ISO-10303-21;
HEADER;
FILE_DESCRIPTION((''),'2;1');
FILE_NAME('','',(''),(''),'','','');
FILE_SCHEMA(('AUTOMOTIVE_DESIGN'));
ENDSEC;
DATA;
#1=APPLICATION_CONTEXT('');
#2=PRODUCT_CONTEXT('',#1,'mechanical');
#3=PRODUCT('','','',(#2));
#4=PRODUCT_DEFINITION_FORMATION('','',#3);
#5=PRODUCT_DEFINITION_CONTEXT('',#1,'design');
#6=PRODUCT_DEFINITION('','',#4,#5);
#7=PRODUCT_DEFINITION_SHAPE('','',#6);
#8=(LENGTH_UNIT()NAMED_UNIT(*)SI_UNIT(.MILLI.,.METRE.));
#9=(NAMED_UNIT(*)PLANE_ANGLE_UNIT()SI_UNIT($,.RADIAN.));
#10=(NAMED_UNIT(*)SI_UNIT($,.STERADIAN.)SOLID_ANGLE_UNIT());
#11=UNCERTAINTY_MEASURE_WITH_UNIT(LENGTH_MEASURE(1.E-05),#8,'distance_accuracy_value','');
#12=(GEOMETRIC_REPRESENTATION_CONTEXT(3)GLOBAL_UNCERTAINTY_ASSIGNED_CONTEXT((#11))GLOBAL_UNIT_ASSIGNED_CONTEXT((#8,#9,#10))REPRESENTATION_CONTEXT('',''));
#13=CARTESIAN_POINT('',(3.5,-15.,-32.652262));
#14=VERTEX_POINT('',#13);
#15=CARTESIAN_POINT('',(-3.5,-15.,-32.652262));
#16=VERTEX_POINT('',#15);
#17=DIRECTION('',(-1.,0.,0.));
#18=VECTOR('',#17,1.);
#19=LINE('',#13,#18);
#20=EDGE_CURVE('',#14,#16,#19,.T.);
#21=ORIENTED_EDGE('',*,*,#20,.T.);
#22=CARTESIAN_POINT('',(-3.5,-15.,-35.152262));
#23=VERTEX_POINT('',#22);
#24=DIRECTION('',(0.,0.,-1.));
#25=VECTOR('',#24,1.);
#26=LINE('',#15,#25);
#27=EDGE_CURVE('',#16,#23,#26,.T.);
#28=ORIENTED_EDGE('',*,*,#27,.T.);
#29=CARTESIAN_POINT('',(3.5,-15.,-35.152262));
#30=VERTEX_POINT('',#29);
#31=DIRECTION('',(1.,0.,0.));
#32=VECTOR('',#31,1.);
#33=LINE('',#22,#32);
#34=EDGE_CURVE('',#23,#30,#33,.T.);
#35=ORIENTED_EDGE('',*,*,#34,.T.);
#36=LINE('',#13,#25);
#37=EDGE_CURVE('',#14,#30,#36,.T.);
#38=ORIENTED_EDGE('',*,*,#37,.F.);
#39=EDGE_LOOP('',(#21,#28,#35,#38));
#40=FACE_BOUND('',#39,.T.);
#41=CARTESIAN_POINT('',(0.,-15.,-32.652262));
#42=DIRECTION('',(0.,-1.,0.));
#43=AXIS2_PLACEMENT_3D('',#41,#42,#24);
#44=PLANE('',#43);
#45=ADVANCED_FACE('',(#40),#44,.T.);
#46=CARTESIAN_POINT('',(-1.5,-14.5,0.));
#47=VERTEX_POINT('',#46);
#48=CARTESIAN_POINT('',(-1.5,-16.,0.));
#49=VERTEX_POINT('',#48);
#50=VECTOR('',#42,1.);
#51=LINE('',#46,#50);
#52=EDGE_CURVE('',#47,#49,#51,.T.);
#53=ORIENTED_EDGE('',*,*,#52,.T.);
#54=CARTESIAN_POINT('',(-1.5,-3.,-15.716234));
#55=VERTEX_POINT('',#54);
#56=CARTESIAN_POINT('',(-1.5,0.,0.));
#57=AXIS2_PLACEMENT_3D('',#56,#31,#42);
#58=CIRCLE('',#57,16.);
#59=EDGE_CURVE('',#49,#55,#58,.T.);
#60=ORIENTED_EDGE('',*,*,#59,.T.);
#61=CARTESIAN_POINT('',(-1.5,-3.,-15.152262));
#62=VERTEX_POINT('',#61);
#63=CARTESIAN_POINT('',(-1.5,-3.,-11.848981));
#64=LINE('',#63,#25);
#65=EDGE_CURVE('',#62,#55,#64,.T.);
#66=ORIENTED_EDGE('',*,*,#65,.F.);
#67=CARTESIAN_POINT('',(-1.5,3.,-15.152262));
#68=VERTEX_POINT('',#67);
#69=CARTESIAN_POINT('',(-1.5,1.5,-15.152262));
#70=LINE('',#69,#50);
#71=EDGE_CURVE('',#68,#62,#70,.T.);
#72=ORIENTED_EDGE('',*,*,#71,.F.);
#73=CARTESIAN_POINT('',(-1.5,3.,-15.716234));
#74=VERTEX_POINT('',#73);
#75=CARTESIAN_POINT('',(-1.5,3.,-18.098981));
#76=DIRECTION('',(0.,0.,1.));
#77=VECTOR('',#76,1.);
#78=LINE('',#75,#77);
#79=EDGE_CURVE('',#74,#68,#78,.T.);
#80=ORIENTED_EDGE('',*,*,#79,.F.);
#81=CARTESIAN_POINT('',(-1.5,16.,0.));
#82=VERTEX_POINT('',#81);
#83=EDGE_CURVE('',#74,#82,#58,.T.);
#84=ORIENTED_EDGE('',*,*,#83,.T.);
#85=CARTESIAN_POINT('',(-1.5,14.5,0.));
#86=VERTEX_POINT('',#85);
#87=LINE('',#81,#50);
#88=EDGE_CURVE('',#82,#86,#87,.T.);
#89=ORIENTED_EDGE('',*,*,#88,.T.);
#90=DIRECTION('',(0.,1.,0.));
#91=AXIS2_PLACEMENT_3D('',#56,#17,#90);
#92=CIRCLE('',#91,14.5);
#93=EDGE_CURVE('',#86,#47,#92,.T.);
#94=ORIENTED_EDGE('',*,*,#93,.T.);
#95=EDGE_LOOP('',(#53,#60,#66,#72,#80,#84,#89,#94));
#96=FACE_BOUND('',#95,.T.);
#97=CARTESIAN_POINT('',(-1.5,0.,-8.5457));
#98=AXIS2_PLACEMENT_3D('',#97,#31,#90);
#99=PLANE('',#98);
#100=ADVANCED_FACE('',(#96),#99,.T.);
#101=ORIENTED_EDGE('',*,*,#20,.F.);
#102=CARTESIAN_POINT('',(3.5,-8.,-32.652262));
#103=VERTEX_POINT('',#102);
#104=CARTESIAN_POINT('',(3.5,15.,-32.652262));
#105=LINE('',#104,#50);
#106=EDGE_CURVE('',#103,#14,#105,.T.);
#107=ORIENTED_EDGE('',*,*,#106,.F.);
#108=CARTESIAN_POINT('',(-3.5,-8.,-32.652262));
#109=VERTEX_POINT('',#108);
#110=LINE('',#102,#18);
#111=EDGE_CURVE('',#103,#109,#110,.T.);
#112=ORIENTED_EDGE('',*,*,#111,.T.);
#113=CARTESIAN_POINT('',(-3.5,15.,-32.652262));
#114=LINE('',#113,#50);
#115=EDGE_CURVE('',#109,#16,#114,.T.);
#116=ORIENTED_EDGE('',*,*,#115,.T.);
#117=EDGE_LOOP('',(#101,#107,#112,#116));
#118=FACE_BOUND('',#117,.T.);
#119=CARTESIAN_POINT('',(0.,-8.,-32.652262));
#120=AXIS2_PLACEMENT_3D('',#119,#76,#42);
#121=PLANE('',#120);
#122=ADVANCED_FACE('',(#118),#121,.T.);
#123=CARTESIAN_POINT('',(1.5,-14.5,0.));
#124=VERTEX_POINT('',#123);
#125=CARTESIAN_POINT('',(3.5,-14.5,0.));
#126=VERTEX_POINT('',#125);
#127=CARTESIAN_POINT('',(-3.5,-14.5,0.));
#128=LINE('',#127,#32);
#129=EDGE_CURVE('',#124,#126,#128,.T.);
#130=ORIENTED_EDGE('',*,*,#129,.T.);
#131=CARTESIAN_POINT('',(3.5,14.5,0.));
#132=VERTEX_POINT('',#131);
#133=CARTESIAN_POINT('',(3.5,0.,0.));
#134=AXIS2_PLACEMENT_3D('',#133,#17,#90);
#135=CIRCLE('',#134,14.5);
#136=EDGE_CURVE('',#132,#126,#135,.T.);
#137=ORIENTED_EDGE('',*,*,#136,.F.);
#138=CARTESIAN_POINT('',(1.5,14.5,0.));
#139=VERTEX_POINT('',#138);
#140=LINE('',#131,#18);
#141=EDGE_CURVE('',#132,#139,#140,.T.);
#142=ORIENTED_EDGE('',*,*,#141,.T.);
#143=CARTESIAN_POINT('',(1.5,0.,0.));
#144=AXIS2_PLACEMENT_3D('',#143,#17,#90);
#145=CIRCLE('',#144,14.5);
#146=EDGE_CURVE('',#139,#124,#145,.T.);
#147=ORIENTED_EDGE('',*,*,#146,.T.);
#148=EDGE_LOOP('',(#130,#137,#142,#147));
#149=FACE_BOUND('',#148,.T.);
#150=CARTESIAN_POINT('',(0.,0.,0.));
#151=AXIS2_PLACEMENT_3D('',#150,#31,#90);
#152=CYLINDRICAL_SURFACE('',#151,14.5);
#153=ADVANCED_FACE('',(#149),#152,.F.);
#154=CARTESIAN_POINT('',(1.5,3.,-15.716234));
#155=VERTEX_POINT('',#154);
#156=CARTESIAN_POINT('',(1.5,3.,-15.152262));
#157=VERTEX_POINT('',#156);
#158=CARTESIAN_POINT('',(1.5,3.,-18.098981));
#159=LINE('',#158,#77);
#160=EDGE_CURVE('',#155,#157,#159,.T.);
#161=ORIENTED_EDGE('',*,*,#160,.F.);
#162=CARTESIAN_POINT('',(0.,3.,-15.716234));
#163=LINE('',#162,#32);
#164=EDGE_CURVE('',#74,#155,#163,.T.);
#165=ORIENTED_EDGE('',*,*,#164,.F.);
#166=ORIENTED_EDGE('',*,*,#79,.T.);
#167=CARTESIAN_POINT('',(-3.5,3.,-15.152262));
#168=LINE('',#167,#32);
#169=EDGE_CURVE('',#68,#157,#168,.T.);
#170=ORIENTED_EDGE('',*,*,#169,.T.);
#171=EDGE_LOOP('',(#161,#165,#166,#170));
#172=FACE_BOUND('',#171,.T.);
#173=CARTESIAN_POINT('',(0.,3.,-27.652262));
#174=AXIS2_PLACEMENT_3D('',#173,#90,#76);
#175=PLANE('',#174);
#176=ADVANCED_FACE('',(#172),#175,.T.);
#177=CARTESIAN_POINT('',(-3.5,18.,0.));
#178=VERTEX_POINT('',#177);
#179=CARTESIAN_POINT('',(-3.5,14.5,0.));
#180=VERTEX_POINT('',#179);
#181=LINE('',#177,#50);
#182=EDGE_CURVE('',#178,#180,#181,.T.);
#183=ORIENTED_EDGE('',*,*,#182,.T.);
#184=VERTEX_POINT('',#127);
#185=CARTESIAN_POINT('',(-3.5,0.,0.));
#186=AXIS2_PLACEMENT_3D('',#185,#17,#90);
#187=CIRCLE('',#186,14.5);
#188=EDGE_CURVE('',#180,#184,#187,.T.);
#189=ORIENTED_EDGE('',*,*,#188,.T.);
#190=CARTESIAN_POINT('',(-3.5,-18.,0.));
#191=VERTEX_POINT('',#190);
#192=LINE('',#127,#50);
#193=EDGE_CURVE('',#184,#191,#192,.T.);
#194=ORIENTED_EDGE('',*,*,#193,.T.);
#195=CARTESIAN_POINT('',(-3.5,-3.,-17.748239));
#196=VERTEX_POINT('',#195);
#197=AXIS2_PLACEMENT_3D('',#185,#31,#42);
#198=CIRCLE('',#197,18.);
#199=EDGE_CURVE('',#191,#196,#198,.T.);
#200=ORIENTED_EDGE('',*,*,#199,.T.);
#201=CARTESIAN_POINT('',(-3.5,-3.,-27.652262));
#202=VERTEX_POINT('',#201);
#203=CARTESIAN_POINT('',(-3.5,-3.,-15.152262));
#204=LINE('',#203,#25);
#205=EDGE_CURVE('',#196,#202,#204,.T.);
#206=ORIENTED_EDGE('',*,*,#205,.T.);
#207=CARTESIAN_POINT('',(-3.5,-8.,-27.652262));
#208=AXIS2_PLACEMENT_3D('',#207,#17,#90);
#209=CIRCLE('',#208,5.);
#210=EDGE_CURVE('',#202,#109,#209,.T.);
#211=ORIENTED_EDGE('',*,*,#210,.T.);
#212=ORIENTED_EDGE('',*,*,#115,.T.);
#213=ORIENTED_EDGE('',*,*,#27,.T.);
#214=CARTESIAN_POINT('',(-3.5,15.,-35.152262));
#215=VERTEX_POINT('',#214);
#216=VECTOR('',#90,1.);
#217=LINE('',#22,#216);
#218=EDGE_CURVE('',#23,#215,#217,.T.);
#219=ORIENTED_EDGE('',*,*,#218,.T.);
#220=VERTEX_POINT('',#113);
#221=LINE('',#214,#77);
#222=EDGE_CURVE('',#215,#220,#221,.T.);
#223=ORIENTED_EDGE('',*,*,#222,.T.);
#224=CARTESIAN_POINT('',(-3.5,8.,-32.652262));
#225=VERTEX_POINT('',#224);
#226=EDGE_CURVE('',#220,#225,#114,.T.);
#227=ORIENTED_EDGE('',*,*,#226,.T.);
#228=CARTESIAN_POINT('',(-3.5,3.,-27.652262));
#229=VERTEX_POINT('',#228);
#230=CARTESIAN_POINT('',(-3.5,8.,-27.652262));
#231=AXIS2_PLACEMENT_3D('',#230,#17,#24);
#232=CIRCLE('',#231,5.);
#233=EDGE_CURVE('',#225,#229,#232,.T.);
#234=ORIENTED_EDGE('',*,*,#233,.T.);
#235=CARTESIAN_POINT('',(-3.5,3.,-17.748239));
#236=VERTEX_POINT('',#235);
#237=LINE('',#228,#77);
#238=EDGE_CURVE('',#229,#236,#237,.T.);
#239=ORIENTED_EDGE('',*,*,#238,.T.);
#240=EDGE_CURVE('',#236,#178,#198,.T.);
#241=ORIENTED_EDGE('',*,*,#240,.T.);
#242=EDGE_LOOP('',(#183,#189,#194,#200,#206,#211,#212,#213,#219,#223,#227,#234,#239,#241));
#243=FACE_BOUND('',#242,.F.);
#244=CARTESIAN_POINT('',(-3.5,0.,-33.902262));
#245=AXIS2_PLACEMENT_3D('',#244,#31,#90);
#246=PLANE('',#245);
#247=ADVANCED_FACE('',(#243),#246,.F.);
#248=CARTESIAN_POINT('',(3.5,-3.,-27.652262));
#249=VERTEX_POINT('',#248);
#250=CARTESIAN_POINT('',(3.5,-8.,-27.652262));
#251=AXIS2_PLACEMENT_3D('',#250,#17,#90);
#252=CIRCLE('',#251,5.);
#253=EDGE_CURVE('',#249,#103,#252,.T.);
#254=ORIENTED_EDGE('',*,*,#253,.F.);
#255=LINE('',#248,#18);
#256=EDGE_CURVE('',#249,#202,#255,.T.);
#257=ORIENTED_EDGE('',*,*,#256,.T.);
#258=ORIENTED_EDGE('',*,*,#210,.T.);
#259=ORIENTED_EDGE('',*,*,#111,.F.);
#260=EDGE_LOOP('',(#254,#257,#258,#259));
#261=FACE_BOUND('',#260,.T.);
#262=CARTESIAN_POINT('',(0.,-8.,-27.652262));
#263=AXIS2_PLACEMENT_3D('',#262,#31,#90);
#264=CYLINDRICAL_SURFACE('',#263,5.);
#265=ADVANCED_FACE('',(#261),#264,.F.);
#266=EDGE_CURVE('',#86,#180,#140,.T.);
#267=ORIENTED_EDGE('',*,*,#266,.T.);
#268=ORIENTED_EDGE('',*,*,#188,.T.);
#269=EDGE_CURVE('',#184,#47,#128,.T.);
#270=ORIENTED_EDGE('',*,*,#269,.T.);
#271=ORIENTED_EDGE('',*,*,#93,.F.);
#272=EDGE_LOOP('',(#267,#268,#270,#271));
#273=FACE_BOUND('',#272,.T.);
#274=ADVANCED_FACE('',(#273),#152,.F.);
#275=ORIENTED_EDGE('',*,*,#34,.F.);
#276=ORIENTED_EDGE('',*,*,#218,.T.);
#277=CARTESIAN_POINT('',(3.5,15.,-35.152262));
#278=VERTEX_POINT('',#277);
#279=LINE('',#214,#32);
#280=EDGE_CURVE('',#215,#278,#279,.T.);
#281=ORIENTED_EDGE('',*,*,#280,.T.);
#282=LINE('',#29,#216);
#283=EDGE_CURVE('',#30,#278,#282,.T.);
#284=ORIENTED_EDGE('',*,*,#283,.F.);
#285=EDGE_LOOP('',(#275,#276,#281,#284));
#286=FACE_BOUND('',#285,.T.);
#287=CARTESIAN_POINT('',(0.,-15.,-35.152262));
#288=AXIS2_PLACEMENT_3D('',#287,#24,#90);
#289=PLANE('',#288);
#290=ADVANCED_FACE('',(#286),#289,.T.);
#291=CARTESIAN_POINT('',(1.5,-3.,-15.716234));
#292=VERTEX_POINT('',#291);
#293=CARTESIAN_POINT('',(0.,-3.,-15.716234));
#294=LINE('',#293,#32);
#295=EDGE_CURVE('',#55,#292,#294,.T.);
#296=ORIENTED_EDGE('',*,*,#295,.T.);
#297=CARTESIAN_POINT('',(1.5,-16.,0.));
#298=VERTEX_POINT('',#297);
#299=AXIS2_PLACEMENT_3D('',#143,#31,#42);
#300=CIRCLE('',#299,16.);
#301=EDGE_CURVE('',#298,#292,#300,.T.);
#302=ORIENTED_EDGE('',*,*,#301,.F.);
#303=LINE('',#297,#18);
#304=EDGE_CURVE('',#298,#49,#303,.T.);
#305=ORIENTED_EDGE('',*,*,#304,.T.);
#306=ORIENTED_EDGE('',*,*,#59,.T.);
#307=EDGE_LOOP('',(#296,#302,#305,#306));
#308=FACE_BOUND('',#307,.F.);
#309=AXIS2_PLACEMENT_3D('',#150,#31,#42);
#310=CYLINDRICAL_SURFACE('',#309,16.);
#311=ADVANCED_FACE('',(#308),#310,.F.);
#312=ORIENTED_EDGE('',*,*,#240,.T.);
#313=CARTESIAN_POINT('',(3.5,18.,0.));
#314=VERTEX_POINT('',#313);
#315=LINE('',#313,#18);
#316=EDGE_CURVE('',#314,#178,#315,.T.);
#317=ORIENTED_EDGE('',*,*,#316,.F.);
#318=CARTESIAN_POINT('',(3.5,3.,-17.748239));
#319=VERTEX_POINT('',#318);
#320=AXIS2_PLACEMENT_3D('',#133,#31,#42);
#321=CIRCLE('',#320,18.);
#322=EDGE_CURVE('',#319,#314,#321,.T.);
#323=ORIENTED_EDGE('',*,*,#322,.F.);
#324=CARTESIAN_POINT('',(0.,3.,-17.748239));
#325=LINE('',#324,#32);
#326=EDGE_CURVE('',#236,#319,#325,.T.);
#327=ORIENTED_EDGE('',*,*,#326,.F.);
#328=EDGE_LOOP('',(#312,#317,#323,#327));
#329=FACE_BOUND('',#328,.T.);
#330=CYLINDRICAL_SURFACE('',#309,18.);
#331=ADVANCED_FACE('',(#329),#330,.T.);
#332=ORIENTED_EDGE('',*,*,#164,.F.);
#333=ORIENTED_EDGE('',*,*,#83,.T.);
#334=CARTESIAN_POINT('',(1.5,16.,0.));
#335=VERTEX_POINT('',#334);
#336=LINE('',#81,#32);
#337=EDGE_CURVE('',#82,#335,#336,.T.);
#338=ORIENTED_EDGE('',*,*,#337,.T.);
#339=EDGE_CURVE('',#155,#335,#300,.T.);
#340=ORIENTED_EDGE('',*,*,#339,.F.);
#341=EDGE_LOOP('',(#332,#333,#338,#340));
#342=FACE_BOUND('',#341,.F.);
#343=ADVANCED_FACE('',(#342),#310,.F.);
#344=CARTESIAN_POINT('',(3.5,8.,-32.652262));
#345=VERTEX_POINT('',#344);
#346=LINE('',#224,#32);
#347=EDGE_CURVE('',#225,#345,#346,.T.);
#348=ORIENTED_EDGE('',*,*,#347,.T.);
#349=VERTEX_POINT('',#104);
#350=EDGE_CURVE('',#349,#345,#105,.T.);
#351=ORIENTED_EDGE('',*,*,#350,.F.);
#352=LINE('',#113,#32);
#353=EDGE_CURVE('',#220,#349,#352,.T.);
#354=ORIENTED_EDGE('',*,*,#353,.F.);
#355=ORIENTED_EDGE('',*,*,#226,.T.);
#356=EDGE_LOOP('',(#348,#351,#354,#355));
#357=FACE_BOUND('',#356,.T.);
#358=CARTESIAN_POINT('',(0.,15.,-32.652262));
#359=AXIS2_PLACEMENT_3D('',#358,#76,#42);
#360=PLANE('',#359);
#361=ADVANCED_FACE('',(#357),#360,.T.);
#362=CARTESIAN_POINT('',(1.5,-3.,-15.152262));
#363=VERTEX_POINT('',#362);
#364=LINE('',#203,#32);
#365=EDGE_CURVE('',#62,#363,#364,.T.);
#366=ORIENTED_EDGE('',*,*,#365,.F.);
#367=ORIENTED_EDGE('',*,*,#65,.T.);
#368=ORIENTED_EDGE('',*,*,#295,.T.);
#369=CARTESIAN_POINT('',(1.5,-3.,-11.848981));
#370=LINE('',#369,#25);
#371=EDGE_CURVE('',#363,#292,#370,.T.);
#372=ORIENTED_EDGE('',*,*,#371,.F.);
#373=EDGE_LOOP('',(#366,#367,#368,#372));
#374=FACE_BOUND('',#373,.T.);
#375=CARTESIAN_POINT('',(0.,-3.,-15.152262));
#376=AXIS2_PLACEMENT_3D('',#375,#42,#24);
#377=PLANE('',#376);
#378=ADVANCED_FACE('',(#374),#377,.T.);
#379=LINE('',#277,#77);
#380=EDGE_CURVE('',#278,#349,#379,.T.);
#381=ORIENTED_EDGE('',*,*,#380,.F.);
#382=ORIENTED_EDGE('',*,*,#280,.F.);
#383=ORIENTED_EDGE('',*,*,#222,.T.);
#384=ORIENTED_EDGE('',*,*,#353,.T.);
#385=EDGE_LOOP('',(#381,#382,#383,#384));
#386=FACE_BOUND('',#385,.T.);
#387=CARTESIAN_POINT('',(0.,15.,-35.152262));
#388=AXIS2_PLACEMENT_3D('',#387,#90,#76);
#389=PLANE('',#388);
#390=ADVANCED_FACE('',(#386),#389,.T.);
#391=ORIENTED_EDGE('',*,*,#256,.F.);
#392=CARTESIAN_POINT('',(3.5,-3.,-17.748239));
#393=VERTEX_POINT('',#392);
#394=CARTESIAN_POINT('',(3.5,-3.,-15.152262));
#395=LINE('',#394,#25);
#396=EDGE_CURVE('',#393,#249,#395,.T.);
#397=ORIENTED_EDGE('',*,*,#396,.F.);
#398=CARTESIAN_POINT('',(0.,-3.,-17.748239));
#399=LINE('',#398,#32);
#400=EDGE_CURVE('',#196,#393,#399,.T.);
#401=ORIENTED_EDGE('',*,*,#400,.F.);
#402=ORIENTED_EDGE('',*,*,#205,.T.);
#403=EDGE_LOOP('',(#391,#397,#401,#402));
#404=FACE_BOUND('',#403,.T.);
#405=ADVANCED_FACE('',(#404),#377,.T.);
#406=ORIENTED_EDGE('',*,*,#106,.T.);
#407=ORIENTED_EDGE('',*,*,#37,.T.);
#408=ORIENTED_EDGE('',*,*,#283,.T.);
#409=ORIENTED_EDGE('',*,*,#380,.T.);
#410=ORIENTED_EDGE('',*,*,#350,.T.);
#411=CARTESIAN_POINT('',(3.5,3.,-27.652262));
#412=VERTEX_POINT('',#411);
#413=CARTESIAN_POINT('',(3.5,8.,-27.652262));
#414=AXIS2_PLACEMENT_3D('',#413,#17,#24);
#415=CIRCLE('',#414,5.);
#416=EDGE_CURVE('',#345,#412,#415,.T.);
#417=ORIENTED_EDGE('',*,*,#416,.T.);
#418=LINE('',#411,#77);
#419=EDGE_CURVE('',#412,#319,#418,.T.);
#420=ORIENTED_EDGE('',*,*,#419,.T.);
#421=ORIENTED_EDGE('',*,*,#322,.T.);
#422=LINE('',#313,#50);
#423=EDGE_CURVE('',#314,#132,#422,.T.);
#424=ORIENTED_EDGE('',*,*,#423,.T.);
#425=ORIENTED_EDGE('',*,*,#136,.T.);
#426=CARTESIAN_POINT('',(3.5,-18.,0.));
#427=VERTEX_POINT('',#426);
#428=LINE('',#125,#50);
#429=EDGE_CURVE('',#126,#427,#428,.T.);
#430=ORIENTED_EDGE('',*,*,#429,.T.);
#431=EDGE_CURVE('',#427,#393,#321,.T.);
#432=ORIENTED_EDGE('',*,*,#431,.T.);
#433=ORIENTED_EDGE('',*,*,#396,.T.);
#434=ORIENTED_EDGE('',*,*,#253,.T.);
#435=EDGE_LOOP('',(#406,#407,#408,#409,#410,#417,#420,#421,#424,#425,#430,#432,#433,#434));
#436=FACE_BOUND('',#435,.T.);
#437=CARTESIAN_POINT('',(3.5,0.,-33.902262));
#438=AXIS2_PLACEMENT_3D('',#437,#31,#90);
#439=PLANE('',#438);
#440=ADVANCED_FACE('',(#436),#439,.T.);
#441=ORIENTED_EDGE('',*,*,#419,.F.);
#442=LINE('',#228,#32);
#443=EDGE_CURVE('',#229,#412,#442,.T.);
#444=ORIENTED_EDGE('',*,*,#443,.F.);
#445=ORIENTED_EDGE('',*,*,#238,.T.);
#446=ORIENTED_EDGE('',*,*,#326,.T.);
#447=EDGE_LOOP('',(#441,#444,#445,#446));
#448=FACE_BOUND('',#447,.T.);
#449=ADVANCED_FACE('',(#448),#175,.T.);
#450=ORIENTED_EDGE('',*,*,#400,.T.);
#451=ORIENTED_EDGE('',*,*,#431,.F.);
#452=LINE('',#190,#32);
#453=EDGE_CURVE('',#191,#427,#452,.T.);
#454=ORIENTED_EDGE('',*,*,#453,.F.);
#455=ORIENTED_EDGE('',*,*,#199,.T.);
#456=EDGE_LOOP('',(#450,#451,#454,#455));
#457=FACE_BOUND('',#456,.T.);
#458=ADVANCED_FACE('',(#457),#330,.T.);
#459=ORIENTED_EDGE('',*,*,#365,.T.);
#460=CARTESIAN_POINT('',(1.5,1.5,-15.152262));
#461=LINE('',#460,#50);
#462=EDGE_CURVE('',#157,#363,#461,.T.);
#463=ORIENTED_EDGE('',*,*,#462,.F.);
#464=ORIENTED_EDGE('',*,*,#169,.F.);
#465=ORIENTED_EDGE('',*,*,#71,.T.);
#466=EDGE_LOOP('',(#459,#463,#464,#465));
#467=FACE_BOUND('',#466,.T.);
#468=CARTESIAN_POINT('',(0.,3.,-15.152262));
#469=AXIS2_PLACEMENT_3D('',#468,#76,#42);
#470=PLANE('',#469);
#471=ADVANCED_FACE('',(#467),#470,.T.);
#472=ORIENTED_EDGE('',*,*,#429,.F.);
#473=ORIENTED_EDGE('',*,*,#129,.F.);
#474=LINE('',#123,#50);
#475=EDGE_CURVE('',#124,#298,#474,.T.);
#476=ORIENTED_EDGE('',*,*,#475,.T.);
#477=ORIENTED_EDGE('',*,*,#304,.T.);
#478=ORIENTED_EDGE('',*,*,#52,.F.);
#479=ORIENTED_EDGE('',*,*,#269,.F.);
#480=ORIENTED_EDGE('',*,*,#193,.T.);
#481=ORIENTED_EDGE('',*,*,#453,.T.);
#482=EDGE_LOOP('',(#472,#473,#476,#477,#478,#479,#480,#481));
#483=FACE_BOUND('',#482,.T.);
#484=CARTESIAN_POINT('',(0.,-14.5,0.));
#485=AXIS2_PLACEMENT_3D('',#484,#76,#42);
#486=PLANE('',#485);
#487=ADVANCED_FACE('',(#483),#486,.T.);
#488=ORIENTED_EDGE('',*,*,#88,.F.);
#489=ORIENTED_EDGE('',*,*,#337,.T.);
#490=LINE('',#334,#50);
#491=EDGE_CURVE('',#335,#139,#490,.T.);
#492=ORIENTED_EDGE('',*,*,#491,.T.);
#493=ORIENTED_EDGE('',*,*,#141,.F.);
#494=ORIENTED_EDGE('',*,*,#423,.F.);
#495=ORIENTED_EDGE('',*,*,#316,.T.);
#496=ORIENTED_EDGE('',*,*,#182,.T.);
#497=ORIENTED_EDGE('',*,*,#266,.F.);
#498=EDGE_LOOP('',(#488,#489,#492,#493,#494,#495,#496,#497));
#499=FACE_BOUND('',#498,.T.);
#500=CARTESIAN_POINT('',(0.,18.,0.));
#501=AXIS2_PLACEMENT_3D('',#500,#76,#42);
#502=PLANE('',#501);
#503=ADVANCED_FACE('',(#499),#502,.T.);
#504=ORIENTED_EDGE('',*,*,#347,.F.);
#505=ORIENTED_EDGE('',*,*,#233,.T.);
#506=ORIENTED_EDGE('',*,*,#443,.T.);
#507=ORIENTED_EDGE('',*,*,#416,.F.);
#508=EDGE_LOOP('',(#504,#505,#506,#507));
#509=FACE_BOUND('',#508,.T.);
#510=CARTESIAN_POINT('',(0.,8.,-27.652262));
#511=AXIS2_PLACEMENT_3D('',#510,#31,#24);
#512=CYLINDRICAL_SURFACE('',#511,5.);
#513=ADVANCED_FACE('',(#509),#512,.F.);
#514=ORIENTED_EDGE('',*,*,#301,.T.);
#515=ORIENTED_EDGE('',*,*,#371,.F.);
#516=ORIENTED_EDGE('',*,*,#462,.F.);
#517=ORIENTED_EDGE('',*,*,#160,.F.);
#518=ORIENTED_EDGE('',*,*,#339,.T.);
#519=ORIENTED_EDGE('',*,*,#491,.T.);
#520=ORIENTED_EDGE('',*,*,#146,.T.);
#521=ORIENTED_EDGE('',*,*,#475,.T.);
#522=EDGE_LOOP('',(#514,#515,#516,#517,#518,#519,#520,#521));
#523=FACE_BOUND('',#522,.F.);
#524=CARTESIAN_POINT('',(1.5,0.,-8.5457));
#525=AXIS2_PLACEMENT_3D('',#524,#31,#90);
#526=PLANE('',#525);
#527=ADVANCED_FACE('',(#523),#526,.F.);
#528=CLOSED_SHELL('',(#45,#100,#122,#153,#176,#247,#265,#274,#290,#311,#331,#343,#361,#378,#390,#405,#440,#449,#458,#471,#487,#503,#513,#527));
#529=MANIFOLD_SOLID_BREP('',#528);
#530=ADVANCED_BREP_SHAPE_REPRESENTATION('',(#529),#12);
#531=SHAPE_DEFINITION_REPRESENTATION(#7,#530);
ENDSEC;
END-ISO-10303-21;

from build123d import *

# Parameters (mm, degrees)
F1_DEPTH = 3.5
F2_DEPTH = 1.5
F4_DEPTH = 3.5


with BuildPart() as f1:
    # F0 (on Right) → F1 (new body, symmetric)
    with BuildSketch(Plane.YZ):
        with BuildLine():
            ThreePointArc((-16, 0), (0, -16), (16, 0))
            Line((16, 0), (14.5, 0))
            ThreePointArc((14.5, 0), (0, -14.5), (-14.5, 0))
            Line((-14.5, 0), (-16, 0))
        make_face()
        with BuildLine():
            Line((18, 0), (16, 0))
            ThreePointArc((16, 0), (0, -16), (-16, 0))
            Line((-16, 0), (-18, 0))
            ThreePointArc((-18, 0), (0, -18), (18, 0))
        make_face()
    extrude(amount=F1_DEPTH, both=True)

    # F0 (on Right) → F2 (cut, symmetric)
    with BuildSketch(Plane.YZ):
        with BuildLine():
            ThreePointArc((-16, 0), (0, -16), (16, 0))
            Line((16, 0), (14.5, 0))
            ThreePointArc((14.5, 0), (0, -14.5), (-14.5, 0))
            Line((-14.5, 0), (-16, 0))
        make_face()
    extrude(amount=F2_DEPTH, both=True, mode=Mode.SUBTRACT)

    # F3 (on Right) → F4 (join, symmetric)
    with BuildSketch(Plane.YZ):
        Polygon((8, -32.6522623003), (-8, -32.6522623003), (-10, -32.6522623003), (-15, -32.6522623003), (-15, -35.1522623003), (-3, -35.1522623003), (3, -35.1522623003), (15, -35.1522623003), (15, -32.6522623003), (10, -32.6522623003), align=None)
        with BuildLine():
            Line((3, -15.1522623003), (-3, -15.1522623003))
            Line((-3, -15.1522623003), (-3, -27.6522623003))
            ThreePointArc((-3, -27.6522623003), (-4.4644660941, -31.1877962062), (-8, -32.6522623003))
            Line((-8, -32.6522623003), (8, -32.6522623003))
            ThreePointArc((8, -32.6522623003), (4.4644660941, -31.1877962062), (3, -27.6522623003))
            Line((3, -27.6522623003), (3, -15.1522623003))
        make_face()
    extrude(amount=F4_DEPTH, both=True)


solid = f1.part
